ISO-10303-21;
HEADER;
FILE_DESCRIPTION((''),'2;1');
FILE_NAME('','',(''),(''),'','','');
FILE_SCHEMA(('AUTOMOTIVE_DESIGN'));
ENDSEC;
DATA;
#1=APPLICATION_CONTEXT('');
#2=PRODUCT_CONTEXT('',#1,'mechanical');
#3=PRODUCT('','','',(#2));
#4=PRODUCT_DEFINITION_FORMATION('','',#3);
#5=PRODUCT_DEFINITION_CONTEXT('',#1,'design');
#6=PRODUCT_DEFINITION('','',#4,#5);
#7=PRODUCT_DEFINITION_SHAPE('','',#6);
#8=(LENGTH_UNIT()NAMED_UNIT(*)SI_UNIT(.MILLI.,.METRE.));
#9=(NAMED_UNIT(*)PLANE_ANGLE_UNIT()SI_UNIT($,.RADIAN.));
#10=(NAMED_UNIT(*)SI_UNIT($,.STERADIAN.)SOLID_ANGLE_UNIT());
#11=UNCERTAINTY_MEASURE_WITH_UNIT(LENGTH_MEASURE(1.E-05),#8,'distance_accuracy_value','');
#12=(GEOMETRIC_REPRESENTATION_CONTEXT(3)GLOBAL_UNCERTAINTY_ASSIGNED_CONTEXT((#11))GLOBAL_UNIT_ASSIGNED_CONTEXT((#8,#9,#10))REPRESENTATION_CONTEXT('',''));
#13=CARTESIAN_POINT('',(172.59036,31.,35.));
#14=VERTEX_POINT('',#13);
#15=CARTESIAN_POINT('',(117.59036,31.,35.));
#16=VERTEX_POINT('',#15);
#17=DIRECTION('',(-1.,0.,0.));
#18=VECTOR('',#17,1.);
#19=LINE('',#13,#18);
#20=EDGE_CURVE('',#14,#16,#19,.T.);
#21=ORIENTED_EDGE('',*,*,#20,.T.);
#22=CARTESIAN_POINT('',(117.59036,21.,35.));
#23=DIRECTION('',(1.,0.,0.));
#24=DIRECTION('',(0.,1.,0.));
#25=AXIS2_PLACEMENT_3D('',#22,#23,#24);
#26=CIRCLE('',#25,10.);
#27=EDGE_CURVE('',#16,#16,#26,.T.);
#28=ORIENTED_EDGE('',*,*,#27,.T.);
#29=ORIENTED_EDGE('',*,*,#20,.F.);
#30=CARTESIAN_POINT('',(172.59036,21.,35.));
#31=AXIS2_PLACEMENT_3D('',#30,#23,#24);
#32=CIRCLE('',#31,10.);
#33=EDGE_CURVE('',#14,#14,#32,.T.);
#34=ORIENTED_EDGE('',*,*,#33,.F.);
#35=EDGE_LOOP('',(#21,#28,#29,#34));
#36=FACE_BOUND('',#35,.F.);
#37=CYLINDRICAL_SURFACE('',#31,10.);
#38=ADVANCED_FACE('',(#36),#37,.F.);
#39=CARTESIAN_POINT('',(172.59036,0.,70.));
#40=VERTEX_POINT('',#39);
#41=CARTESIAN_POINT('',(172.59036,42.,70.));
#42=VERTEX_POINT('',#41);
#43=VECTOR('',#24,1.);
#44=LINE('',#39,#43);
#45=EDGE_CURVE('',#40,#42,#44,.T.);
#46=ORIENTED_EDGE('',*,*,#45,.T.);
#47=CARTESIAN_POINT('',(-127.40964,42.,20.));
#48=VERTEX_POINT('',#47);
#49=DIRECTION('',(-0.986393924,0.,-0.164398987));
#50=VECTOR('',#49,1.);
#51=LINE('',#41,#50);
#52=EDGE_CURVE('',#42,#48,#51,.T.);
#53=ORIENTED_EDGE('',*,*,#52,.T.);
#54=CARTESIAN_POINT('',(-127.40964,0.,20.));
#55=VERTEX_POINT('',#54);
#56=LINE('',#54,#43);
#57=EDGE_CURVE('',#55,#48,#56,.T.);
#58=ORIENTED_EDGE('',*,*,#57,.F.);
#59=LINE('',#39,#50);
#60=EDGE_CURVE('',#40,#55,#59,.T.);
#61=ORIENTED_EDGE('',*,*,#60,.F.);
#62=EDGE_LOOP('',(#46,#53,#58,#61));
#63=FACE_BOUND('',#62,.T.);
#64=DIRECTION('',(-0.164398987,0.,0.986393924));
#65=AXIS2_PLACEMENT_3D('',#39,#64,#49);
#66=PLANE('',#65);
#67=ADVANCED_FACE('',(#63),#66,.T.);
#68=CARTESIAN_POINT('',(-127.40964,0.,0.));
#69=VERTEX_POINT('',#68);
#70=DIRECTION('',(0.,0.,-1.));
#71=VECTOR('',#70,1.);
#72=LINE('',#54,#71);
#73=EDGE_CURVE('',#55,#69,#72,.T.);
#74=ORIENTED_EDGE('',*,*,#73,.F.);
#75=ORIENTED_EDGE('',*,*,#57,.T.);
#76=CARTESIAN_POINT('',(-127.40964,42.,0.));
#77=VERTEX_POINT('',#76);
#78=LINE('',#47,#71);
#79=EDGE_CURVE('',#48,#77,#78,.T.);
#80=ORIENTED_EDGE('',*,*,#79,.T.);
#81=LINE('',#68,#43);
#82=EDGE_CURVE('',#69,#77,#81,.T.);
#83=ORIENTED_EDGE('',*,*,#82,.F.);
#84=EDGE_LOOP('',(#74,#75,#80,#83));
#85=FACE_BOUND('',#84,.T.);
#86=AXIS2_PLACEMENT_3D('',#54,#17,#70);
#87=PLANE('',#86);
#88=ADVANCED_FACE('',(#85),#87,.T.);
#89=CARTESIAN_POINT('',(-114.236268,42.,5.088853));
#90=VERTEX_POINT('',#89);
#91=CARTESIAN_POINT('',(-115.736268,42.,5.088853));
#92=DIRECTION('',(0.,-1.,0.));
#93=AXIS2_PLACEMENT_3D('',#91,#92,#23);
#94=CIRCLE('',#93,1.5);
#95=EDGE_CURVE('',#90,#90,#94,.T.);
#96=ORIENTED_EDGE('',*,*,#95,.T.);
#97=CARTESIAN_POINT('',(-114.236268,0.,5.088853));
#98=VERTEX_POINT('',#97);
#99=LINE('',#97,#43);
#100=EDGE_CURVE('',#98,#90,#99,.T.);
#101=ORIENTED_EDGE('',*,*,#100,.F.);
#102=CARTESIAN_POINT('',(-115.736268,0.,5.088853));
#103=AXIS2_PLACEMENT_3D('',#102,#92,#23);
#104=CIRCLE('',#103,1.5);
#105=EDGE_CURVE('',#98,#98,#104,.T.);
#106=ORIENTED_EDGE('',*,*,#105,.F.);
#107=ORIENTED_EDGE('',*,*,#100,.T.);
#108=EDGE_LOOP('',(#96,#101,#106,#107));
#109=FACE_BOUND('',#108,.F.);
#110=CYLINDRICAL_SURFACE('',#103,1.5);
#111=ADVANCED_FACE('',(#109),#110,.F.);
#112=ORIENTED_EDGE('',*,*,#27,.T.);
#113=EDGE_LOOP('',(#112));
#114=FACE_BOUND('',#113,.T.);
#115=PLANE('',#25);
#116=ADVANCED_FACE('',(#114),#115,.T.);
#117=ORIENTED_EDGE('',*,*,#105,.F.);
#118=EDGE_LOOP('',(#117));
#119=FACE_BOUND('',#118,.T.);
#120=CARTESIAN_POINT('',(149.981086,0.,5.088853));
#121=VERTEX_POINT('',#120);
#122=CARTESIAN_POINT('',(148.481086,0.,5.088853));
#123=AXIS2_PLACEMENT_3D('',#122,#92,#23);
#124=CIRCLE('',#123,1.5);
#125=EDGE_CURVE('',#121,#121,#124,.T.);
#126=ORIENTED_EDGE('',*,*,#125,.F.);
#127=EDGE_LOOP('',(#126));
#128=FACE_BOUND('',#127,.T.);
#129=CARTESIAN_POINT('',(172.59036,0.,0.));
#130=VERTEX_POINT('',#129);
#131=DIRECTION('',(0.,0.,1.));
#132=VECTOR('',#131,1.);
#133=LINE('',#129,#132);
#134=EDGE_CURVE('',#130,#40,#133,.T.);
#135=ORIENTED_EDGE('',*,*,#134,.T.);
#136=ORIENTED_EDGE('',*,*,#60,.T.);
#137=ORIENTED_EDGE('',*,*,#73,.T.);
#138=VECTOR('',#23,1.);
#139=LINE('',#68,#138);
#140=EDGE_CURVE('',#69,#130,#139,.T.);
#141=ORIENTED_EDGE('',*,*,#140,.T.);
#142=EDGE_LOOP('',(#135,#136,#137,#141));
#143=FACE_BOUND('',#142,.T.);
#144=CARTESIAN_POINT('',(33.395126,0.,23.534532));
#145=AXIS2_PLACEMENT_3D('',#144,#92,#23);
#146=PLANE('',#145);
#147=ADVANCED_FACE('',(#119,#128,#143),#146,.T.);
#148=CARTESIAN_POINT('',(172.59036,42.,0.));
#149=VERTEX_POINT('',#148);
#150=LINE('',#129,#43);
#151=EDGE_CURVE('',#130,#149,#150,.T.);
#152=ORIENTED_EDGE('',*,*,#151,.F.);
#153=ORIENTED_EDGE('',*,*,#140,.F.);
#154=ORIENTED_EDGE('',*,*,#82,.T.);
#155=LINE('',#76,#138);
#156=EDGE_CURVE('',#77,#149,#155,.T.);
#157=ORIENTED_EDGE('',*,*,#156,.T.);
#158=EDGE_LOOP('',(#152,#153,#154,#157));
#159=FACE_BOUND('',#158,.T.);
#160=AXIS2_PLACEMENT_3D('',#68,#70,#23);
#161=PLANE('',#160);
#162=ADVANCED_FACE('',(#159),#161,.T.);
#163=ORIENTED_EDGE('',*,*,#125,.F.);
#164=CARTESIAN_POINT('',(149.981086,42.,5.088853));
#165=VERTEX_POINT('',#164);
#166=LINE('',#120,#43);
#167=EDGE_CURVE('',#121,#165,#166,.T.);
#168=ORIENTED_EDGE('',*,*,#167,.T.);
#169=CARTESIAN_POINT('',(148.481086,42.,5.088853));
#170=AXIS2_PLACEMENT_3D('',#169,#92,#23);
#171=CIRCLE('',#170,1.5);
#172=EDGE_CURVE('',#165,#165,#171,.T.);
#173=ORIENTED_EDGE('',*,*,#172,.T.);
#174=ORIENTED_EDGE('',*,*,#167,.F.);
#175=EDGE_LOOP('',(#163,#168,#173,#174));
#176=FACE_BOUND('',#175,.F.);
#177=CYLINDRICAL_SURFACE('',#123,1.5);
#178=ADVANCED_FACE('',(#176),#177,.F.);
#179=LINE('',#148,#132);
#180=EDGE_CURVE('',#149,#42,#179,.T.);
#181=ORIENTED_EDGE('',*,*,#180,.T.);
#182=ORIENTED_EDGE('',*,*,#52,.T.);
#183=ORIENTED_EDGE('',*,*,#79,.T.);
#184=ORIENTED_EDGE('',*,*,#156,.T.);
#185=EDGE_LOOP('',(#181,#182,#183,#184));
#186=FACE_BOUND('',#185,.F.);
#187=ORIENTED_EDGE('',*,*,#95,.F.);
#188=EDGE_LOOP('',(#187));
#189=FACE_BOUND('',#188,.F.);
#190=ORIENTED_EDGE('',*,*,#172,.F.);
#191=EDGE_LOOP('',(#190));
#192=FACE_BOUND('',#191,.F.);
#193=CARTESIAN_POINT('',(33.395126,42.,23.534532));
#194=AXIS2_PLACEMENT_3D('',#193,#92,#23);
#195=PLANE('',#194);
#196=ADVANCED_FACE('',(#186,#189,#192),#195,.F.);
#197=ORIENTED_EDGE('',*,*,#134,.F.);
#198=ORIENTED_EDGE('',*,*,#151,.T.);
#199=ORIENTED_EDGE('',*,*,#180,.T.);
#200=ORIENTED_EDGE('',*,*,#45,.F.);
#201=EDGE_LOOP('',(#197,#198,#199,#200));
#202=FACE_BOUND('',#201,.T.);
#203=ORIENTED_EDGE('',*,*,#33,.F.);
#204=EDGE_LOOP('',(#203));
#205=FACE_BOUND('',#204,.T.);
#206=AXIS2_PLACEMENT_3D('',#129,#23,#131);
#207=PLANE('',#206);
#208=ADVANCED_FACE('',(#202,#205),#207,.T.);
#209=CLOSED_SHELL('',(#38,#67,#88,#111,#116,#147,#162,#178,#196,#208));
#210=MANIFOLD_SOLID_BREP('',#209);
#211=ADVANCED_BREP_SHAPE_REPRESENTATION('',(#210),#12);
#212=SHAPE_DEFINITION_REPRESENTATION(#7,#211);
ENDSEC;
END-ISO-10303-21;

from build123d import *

# Parameters (mm, degrees)
F1_DEPTH = 42
F2_R     = 10
F3_DEPTH = 55
F4_R     = 1.5
F5_DEPTH = 197.5


with BuildPart() as f1:
    # F0 (on Front) → F1 (new body)
    with BuildSketch(Plane.XZ):
        Polygon((-127.40964, 0), (172.59036, 0), (172.59036, 70), (-127.40964, 20), align=None)
    extrude(amount=-F1_DEPTH)

    # F2 (on face) → F3 (cut)
    with BuildSketch(Plane.YZ.offset(172.59036)):
        with Locations((21, 35)):
            Circle(F2_R)
    extrude(amount=-F3_DEPTH, mode=Mode.SUBTRACT)

    # F4 (on face) → F5 (cut)
    with BuildSketch(Plane.XZ):
        with Locations((-115.736268, 5.088853)):
            Circle(F4_R)
        with Locations((148.481086, 5.088853)):
            Circle(F4_R)
    extrude(amount=-F5_DEPTH, mode=Mode.SUBTRACT)


solid = f1.part
